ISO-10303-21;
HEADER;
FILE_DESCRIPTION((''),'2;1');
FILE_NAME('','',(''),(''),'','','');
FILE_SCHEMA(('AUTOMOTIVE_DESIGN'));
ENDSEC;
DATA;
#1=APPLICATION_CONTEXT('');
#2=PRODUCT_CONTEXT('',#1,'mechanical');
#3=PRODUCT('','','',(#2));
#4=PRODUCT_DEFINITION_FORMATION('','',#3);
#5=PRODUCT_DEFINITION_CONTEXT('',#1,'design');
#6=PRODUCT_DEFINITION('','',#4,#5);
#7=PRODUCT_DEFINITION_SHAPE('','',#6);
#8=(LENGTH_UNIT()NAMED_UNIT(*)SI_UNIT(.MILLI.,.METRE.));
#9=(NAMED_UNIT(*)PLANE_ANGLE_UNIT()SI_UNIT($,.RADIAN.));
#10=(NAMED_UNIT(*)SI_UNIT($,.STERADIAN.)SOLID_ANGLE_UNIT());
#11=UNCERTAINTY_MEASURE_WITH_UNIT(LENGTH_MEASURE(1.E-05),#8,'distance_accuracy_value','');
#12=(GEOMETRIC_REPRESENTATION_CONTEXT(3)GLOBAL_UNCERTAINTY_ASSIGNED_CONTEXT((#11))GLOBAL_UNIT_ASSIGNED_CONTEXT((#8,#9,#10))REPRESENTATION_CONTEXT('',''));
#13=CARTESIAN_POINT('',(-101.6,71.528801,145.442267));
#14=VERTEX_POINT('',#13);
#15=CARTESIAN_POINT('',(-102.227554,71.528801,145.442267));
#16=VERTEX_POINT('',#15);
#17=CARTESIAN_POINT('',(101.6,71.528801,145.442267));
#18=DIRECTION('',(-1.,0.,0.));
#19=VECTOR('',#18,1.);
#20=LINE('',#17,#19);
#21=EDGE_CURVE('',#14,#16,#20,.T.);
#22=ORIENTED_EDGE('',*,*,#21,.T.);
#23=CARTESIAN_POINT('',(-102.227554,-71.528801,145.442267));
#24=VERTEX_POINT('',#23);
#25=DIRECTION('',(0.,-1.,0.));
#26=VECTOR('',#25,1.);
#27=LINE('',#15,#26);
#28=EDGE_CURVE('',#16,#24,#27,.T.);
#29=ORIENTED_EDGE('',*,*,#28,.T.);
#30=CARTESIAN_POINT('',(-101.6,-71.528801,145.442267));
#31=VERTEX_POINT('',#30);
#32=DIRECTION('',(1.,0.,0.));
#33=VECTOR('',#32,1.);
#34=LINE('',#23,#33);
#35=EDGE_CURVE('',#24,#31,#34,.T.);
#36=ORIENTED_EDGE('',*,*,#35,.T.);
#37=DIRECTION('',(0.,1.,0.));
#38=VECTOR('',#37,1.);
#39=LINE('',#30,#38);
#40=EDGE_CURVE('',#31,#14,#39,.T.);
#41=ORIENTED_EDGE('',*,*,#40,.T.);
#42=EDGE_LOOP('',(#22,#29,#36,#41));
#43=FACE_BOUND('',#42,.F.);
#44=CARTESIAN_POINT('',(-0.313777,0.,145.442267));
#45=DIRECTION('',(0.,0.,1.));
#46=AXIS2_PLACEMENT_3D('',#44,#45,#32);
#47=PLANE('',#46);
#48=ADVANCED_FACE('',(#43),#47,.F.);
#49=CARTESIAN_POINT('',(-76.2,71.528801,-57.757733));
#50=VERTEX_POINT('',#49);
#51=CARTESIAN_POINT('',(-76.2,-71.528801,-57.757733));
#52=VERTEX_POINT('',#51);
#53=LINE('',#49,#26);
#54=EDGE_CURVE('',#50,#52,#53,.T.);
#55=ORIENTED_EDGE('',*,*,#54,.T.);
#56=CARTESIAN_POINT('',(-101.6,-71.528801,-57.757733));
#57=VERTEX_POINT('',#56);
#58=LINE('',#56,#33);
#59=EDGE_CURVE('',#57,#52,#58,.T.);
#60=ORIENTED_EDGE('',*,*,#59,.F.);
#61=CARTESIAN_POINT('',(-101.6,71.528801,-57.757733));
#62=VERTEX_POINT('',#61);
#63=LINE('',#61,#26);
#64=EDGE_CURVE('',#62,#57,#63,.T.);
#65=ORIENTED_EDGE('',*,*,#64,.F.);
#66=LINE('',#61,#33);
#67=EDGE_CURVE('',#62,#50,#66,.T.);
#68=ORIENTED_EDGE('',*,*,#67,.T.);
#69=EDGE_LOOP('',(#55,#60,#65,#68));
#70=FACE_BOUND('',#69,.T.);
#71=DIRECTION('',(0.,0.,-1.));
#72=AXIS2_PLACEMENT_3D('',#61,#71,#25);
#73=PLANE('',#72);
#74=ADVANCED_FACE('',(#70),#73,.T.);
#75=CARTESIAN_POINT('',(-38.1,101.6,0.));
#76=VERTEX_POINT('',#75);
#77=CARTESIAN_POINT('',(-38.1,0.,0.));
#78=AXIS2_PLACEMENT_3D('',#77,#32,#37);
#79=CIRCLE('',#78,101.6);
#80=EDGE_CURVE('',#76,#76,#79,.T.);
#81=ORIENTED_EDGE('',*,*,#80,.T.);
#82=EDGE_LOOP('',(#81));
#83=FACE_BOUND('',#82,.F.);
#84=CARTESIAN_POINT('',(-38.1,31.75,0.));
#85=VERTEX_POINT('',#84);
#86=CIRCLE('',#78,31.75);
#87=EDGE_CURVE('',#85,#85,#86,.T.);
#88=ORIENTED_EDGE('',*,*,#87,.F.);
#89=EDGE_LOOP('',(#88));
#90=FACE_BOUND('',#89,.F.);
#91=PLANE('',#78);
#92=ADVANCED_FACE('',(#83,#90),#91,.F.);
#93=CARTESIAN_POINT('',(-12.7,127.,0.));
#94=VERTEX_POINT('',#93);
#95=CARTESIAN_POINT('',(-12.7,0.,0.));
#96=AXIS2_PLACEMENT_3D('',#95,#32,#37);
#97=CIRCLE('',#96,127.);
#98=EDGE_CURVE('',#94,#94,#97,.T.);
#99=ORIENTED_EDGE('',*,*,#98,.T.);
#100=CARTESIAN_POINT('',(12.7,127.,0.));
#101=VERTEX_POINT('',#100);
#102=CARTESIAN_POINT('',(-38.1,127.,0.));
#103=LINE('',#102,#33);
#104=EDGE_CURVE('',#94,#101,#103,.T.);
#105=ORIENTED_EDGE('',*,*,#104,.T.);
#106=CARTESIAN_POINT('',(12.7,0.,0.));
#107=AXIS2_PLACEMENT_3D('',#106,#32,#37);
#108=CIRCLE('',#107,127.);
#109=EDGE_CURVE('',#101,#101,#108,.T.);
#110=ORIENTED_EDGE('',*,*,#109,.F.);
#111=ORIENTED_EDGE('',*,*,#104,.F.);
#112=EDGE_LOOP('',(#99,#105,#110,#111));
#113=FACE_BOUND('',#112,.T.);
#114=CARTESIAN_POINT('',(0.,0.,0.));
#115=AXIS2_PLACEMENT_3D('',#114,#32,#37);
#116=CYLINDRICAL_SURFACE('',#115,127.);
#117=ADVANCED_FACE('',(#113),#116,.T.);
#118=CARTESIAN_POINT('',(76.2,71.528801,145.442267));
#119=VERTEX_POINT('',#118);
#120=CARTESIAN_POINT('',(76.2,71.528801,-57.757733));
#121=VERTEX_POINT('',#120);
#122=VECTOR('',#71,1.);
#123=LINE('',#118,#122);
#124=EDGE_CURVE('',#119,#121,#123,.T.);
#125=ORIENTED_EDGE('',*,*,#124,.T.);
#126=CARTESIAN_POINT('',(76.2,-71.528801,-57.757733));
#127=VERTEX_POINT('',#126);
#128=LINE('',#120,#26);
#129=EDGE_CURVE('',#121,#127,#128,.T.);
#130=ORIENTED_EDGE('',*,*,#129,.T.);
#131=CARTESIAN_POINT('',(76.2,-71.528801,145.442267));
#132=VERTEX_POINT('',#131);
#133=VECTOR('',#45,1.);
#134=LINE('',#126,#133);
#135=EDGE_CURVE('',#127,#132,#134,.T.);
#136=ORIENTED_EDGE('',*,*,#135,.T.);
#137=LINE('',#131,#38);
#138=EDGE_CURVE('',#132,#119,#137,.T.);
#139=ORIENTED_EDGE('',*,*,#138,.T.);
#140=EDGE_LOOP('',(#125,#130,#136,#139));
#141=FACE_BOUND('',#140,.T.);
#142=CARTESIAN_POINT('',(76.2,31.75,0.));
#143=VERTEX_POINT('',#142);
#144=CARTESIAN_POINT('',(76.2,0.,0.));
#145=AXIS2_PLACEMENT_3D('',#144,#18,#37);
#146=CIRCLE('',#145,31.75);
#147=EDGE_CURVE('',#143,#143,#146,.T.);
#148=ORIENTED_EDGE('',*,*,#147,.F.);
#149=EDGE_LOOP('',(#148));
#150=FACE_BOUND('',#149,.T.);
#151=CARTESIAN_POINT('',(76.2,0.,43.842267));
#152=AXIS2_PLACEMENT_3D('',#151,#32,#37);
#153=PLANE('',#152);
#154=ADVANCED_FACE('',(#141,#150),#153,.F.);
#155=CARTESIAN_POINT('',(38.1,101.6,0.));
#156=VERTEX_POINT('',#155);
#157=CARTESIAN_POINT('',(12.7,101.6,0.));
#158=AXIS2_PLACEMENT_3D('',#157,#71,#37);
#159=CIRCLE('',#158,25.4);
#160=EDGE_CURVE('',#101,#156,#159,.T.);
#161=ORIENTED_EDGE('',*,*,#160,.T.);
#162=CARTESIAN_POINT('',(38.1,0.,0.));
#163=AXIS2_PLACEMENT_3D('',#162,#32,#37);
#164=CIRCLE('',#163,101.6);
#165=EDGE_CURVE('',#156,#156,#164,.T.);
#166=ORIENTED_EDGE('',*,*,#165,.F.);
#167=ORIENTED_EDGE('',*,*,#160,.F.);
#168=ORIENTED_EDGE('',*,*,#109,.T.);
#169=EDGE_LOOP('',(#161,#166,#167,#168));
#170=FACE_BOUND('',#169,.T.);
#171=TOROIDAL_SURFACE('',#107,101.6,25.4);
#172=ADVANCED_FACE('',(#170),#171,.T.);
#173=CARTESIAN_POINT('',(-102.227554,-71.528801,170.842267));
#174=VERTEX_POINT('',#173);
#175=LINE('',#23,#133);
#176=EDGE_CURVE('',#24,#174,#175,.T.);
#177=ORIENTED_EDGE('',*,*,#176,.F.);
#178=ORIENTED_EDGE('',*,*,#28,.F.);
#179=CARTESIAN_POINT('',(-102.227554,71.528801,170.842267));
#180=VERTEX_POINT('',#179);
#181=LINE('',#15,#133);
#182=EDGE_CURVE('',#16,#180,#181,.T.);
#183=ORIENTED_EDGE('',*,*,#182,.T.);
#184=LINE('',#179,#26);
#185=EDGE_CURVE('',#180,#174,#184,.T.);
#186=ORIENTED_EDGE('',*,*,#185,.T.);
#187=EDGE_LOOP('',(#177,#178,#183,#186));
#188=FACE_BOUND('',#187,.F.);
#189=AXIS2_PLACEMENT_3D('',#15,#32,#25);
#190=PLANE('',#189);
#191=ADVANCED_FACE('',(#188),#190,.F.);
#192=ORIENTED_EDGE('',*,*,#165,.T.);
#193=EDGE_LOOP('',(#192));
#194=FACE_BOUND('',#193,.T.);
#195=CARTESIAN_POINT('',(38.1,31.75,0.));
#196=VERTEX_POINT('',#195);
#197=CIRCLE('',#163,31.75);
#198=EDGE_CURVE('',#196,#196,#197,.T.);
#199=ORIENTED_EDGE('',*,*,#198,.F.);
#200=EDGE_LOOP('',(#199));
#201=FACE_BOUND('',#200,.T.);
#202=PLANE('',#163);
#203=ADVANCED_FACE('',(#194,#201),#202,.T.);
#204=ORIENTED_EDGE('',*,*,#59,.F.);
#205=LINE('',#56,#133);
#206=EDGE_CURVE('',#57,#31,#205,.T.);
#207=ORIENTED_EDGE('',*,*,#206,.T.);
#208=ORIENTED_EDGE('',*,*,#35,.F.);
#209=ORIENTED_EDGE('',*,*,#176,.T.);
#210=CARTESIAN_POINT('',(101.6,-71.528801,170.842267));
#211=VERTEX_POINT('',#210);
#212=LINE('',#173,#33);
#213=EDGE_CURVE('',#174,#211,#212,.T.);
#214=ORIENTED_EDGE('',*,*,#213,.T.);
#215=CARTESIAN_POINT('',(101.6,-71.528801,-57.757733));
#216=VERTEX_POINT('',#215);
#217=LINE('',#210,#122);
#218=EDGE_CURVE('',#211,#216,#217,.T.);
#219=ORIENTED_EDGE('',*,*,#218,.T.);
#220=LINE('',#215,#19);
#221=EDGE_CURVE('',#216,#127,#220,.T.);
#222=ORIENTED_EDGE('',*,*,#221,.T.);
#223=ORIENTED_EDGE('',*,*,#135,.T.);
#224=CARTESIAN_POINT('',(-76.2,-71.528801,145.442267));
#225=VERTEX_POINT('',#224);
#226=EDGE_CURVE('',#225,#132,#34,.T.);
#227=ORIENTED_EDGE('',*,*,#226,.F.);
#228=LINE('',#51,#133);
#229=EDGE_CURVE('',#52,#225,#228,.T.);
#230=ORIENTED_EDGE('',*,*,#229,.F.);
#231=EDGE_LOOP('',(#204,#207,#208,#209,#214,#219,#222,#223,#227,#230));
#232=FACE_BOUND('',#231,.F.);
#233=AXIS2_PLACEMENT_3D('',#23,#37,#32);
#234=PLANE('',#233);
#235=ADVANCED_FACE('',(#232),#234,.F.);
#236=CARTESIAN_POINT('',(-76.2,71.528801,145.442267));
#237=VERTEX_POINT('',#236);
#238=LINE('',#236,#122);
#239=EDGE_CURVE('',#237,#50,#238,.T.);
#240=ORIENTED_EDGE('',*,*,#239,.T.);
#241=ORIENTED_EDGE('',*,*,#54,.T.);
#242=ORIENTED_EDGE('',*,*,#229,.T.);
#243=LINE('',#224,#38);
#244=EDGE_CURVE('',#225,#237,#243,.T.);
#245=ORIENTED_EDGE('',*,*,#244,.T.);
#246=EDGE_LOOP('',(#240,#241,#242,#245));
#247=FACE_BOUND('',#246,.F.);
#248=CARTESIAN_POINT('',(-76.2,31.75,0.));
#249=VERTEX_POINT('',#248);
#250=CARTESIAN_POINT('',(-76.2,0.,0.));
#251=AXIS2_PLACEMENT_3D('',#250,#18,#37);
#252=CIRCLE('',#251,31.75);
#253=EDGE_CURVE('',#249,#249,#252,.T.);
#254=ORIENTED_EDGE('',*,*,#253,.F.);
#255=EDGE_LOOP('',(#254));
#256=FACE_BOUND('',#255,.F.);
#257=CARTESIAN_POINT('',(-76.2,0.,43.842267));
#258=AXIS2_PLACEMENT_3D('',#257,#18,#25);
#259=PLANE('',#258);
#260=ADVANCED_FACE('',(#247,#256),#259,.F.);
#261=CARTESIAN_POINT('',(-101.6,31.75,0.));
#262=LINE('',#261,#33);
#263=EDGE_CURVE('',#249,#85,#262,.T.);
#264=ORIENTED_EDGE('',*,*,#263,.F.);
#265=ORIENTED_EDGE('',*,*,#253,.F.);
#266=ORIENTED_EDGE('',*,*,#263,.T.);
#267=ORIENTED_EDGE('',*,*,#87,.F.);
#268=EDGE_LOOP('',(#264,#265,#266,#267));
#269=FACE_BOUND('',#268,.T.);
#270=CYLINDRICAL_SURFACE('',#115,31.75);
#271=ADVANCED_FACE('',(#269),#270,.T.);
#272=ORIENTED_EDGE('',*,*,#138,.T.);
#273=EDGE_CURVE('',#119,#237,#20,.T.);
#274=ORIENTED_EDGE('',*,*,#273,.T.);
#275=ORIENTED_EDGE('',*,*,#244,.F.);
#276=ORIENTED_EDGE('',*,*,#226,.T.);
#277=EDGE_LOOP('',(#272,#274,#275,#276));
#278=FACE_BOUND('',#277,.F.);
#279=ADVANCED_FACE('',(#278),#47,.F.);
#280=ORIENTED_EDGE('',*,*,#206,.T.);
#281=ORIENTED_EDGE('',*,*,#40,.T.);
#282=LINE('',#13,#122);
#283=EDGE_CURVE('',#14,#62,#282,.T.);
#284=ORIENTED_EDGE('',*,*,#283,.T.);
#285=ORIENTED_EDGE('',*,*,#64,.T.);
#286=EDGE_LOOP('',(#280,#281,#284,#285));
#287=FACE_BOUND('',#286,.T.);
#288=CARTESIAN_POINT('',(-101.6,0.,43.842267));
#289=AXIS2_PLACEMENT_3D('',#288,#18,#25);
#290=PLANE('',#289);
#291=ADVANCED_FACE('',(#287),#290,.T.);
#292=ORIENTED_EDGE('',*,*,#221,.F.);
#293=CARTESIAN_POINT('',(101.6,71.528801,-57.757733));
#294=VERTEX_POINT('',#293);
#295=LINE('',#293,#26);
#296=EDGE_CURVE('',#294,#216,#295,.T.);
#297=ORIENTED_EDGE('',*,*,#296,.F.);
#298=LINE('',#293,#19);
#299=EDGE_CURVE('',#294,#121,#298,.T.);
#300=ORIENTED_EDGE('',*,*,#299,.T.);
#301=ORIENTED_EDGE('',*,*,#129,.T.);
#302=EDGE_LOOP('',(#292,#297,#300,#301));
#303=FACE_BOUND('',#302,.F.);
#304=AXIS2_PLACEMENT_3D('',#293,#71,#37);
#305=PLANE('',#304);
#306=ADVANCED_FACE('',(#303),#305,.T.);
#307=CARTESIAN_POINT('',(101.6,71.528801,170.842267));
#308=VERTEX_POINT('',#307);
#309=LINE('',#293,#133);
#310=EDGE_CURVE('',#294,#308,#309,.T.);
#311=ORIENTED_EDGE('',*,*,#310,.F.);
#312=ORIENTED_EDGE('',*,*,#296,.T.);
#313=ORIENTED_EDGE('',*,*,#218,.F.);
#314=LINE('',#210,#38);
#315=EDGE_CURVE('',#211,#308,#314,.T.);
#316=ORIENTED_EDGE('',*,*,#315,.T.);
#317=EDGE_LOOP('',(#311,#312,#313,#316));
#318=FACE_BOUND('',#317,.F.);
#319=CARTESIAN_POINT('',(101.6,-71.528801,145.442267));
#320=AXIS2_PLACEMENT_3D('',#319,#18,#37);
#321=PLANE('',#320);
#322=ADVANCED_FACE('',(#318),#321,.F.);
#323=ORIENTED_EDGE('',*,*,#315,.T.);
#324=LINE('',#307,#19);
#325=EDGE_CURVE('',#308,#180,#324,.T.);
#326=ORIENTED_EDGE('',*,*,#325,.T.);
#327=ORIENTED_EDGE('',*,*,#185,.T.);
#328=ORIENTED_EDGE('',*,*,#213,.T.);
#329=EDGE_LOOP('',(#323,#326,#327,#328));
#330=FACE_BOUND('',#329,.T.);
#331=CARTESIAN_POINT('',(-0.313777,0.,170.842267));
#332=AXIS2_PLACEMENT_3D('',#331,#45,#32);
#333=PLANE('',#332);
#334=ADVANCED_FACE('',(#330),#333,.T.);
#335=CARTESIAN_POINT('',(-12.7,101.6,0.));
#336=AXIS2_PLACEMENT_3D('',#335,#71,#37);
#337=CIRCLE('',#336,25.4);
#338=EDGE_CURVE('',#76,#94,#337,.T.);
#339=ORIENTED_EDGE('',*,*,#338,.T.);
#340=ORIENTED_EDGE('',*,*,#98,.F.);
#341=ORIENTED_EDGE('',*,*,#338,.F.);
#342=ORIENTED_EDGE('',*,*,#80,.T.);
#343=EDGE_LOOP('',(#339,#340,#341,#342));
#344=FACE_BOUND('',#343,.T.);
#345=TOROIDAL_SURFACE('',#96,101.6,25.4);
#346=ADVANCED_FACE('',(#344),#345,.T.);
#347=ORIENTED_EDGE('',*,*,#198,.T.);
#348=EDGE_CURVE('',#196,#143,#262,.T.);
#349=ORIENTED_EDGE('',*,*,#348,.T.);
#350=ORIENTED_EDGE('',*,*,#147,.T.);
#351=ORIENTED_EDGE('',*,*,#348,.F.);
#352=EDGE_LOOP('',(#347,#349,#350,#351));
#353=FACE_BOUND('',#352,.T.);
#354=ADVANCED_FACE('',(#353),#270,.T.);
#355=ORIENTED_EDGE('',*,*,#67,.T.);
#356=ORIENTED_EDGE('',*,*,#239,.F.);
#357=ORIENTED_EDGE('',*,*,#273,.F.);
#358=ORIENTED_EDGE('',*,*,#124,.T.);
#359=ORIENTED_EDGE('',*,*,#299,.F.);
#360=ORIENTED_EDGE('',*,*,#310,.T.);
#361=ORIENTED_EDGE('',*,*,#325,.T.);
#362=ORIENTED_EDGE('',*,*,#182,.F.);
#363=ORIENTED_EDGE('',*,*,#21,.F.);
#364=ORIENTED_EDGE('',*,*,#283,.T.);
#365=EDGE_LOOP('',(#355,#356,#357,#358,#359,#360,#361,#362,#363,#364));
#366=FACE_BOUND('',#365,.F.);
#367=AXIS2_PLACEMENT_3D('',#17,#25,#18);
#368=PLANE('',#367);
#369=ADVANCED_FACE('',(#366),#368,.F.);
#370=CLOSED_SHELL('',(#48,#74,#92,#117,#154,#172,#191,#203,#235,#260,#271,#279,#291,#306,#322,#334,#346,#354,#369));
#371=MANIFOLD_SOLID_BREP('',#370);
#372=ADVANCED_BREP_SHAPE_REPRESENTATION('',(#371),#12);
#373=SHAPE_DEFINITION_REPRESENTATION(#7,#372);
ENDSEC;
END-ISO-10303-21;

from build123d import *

# Parameters (mm, degrees)
F0_R      = 127
F1_DEPTH  = 38.1
F2_R      = 31.75
F3_DEPTH  = 101.6
F4_R      = 25.4
F5_D      = 76.2
F5_DEPTH  = 12.7
F5_TIP    = 22.892789585
F6_R      = 31.75
F7_DEPTH  = 25.4
F10_DEPTH = 25.4


with BuildPart() as f1:
    # F0 (on Right) → F1 (new body, symmetric)
    with BuildSketch(Plane.YZ):
        Circle(F0_R)
    extrude(amount=F1_DEPTH, both=True)

    # F2 (on Right) → F3 (join, symmetric)
    with BuildSketch(Plane.YZ):
        Circle(F2_R)
    extrude(amount=F3_DEPTH, both=True)

    # F4
    f4_edges = [f1.edges().sort_by_distance(p)[0] for p in [
        (38.1, -127, 0),
        (-38.1, -127, 0),
    ]]
    fillet(f4_edges, radius=F4_R)

    # F5 (one way)
    with BuildSketch(Plane.YZ):
        with Locations((-0.2433381014, -0.4866788513)):
            Circle(F5_D / 2)
    extrude(amount=-F5_DEPTH, mode=Mode.SUBTRACT)
    with Locations(Plane.YZ):
        with Locations((-0.2433381014, -0.4866788513)):
            with Locations((0, 0, -(F5_DEPTH + F5_TIP / 2))):  # 118° drill point
                Cone(0, F5_D / 2, F5_TIP, mode=Mode.SUBTRACT)

    # F6 (on face) → F7 (join)
    with BuildSketch(Plane(origin=(-101.6, 0, 0), x_dir=(0, -1, 0), z_dir=(-1, 0, 0))):
        Polygon((-71.5288005566, -57.7577332966), (0, -57.7577332966), (71.5288005566, -57.7577332966), (71.5288005566, 145.4422667034), (-71.5288005566, 145.4422667034), align=None)
        Circle(F6_R, mode=Mode.SUBTRACT)
    extrude(amount=-F7_DEPTH)

    # F8: F1 across plane


with BuildPart() as f1_1:
    add(f1.part)
    add(f1.part.mirror(Plane.YZ))

    # F9 (on face) → F10 (join)
    with BuildSketch(Plane.XY.offset(145.4422667034)):
        Polygon((101.6, -71.5288005566), (101.6, 71.5288005566), (76.2, 71.5288005566), (-102.2275537252, 71.5288005566), (-102.2275537252, -71.5288005566), (76.2, -71.5288005566), align=None)
    extrude(amount=F10_DEPTH)


solid = f1_1.part
